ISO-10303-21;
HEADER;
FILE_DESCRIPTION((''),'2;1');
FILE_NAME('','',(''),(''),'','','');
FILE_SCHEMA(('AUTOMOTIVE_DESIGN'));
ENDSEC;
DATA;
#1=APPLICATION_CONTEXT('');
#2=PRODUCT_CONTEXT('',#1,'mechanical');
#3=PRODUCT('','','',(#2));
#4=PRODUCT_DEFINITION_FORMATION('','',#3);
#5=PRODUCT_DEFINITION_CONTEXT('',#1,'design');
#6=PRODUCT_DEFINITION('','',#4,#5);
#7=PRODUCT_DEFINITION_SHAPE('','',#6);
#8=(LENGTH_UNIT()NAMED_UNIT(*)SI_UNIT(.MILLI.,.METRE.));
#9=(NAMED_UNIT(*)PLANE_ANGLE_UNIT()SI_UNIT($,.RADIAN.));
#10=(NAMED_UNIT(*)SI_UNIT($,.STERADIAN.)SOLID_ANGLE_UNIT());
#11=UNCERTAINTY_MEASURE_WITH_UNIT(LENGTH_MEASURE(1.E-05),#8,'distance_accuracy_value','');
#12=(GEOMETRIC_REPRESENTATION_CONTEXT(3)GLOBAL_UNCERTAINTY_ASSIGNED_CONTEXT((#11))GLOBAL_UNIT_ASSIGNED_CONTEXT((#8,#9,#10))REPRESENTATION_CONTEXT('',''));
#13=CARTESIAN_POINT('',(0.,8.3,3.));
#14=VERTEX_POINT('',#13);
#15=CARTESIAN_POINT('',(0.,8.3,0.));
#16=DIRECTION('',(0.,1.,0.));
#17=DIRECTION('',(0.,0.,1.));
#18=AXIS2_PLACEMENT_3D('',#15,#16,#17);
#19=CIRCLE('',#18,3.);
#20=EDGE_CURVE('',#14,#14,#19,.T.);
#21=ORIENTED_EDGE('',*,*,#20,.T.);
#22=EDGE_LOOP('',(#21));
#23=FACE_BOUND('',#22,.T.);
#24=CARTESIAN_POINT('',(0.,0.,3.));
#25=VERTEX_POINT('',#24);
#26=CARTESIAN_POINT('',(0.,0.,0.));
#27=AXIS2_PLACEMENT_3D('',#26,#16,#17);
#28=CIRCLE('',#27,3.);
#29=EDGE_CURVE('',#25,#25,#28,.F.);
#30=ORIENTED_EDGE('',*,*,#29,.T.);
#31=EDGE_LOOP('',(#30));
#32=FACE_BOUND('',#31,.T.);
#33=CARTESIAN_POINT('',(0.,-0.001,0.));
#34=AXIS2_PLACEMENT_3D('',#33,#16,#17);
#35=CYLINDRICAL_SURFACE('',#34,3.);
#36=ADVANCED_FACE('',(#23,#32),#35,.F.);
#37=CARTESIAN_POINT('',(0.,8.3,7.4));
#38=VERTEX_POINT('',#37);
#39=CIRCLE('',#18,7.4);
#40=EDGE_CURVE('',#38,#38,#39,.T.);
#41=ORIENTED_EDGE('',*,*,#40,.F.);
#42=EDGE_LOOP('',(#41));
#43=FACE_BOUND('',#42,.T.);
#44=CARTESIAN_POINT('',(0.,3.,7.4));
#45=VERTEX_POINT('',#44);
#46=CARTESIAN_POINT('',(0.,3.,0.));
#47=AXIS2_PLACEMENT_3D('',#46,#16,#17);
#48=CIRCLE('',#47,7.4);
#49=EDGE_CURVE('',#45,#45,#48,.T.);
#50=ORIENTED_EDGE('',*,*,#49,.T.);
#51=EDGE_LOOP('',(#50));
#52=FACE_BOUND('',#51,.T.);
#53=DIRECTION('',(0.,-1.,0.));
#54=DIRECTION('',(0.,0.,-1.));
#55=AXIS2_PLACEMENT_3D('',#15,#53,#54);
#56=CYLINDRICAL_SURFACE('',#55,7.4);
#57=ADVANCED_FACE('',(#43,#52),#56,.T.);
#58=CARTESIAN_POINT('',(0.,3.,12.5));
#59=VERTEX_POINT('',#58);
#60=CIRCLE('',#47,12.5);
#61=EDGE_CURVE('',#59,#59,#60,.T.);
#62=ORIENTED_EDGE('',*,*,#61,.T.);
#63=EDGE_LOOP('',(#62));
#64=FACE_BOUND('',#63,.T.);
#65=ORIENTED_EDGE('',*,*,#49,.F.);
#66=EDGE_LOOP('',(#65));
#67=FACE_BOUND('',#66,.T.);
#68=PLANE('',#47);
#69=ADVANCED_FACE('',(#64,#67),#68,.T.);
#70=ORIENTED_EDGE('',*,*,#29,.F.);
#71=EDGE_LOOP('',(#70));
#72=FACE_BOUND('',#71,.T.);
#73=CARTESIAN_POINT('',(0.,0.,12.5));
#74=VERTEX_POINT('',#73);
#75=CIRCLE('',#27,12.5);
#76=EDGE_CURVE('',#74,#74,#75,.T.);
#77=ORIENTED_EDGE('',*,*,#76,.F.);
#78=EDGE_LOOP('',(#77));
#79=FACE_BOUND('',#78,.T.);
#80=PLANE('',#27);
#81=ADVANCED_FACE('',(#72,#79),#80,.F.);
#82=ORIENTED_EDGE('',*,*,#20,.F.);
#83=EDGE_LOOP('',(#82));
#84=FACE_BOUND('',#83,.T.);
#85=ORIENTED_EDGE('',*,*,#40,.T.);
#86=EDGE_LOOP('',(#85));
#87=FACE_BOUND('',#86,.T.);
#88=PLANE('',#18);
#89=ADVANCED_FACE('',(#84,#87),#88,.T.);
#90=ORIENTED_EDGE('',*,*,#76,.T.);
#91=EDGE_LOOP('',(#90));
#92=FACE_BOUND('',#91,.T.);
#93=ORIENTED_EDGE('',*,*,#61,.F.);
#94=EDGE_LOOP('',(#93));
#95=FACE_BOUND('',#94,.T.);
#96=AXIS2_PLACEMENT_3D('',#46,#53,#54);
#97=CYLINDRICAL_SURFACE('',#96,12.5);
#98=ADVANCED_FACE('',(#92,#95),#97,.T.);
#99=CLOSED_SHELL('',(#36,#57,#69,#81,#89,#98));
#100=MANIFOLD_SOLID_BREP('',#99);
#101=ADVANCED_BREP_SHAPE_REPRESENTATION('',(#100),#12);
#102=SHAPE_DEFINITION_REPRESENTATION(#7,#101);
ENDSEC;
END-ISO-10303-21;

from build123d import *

# Parameters (mm, degrees)
SKETCH_1_R          = 12.5
EXTRUDE_1_DEPTH     = 3
SKETCH_2_R          = 7.4
EXTRUDE_2_DEPTH     = 5.3
CUT_EXTRUDE_1_REACH = 21.529
SKETCH_3_R          = 3


with BuildPart() as part:
    # 草图1 → 凸台-拉伸1 (new body)
    with BuildSketch(Plane(origin=(0, 0, 0), x_dir=(1, 0, 0), z_dir=(0, 1, 0))):
        with Locations(Location((0, 0, 0), (0, 0, 270))):
            Circle(SKETCH_1_R)
    extrude(amount=EXTRUDE_1_DEPTH)

    # 草图2 → 凸台-拉伸2 (add)
    with BuildSketch(Plane(origin=(0, 3, 0), x_dir=(1, 0, 0), z_dir=(0, 1, 0))):
        with Locations(Location((0, 0, 0), (0, 0, 270))):
            Circle(SKETCH_2_R)
    extrude(amount=EXTRUDE_2_DEPTH)

    # 草图3 → 切除-拉伸1 (cut, up to next)
    with BuildSketch(Plane(origin=(0, 8.3, 0), x_dir=(1, 0, 0), z_dir=(0, 1, 0)), mode=Mode.PRIVATE) as cut_extrude_1_sk1:
        with Locations(Location((0, 0, 0), (0, 0, 270))):
            Circle(SKETCH_3_R)
    cut_extrude_1_tool1 = extrude(cut_extrude_1_sk1.sketch, amount=-CUT_EXTRUDE_1_REACH, mode=Mode.PRIVATE) & part.part
    add(cut_extrude_1_tool1.solids().sort_by_distance((0, 8.3, 0))[0], mode=Mode.SUBTRACT)


solid = part.part
